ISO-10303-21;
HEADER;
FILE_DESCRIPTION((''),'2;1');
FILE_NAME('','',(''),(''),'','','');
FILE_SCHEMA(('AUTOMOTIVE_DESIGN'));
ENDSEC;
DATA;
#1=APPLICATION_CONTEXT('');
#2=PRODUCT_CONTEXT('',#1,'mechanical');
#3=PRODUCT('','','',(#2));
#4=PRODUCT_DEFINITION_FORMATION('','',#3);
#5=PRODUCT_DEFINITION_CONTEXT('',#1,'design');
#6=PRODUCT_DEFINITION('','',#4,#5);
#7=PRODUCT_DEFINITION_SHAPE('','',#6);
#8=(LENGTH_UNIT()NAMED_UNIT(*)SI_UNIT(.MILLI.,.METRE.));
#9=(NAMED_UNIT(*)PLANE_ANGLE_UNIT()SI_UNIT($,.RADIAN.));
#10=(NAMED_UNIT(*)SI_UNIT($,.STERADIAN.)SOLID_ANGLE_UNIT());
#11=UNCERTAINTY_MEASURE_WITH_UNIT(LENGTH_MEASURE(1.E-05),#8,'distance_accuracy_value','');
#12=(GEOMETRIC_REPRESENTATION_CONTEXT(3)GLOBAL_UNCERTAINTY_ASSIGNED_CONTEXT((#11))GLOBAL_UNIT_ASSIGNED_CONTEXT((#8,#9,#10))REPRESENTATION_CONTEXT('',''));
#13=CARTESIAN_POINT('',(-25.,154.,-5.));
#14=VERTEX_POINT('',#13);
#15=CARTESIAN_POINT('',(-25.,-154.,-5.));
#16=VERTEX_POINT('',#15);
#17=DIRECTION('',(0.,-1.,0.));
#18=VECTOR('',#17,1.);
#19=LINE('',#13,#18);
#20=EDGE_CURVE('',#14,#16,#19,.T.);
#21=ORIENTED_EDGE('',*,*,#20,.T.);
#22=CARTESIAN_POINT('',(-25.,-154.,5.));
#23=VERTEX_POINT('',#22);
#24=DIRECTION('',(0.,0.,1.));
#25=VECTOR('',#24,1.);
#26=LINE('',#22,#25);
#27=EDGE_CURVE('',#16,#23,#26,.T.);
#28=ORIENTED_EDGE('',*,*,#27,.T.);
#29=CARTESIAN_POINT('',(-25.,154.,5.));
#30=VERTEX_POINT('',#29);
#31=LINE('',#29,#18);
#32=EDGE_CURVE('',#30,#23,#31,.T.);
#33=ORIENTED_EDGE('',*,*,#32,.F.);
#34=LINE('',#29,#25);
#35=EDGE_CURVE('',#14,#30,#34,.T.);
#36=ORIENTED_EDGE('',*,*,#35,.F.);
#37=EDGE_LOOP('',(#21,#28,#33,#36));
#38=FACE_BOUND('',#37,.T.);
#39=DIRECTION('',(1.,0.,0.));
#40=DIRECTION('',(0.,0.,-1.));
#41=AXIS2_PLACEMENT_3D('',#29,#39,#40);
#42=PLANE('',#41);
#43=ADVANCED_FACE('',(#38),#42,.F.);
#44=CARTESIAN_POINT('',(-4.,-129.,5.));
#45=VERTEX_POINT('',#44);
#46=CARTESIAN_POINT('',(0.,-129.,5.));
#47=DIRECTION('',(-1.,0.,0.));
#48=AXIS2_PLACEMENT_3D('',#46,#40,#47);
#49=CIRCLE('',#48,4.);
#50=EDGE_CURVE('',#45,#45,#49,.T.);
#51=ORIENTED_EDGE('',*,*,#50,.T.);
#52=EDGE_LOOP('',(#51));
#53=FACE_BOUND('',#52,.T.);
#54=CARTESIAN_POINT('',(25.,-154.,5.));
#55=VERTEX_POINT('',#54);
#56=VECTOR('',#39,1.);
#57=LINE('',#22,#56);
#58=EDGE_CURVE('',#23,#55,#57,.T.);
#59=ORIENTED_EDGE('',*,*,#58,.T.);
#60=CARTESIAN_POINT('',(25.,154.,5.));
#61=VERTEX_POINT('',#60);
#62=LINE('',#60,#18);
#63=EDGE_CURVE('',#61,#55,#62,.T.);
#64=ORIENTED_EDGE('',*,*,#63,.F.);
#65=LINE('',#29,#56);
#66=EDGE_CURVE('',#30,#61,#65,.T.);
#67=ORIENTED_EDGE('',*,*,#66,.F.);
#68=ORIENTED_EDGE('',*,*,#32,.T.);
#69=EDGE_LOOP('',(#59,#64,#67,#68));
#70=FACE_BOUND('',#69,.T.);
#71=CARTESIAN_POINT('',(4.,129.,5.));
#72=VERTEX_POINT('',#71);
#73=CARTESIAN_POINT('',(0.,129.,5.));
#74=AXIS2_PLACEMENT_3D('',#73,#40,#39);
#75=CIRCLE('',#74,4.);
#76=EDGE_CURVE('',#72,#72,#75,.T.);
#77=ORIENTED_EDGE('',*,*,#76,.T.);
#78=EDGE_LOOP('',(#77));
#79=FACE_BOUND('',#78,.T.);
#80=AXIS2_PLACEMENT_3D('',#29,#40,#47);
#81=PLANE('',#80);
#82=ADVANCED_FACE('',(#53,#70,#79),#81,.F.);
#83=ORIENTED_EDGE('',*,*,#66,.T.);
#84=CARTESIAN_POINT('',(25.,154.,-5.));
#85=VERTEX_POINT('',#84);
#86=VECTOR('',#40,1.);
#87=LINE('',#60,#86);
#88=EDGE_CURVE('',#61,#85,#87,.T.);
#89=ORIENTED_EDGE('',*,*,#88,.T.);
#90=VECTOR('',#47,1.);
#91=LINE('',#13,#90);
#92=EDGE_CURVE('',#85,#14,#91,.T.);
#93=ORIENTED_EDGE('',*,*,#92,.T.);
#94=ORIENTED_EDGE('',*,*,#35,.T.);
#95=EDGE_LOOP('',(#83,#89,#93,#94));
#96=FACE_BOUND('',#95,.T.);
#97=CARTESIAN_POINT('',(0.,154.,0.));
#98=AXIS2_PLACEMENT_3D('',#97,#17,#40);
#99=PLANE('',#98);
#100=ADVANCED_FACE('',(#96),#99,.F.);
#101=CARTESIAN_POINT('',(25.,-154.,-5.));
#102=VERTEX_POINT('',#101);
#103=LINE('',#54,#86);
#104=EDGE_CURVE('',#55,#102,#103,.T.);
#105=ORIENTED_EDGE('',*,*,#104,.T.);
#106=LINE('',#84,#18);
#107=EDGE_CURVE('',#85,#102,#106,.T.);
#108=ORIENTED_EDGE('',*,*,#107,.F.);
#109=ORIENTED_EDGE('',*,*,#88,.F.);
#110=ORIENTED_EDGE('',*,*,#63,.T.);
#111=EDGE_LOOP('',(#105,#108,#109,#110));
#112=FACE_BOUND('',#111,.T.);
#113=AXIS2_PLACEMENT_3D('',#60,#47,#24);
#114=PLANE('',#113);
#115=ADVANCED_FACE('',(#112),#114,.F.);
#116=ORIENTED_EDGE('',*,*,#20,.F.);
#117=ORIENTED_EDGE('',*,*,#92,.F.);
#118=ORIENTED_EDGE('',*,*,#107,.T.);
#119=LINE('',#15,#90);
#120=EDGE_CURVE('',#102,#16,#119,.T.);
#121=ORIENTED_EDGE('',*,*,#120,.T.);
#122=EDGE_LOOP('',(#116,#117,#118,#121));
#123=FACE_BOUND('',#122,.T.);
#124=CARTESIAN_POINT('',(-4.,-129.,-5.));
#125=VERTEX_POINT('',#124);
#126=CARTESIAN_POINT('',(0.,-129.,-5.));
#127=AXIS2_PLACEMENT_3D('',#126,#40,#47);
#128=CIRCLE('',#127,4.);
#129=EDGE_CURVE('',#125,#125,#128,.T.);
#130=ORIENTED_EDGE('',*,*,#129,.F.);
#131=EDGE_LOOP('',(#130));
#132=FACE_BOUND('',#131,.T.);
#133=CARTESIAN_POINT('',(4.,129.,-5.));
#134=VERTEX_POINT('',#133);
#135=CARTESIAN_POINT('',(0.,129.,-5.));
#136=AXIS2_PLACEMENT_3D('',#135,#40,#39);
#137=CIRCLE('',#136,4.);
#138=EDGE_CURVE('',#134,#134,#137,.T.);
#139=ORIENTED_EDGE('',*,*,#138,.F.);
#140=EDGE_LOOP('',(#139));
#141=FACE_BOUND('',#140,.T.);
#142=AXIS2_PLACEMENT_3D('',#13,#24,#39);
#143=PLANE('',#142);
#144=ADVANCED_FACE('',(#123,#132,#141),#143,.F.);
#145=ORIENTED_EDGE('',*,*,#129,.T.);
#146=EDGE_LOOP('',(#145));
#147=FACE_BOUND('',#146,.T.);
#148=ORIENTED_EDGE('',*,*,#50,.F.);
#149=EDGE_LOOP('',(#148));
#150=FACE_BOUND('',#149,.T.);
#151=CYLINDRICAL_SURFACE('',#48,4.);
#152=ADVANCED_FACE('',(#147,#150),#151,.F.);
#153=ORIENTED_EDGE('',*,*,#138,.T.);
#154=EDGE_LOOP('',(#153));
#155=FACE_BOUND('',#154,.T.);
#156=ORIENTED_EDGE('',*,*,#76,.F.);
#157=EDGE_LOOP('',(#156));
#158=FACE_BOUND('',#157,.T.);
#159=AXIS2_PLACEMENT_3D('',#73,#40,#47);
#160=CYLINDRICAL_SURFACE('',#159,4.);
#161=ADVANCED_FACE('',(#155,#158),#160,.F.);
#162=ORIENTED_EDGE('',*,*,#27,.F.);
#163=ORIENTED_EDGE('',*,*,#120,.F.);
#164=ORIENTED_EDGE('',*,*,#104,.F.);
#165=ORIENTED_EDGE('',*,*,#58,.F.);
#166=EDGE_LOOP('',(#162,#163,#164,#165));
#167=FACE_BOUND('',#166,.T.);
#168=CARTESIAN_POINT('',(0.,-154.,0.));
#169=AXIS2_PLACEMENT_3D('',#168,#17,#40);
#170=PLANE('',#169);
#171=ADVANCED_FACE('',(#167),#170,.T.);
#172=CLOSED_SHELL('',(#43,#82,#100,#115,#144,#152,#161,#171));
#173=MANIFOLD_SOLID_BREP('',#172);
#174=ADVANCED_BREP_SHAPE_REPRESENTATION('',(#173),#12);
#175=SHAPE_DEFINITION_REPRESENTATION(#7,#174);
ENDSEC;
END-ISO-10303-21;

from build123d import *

# Parameters (mm, degrees)
SKETCH1_W           = 50
SKETCH1_H           = 10
BOSS_EXTRUDE1_DEPTH = 154
SKETCH2_R           = 4
CUT_EXTRUDE1_DEPTH  = 157.336176236


with BuildPart() as part:
    # Sketch1 → Boss-Extrude1 (new, symmetric)
    with BuildSketch(Plane(origin=(0, 0, 0), x_dir=(1, 0, 0), z_dir=(0, 1, 0))):
        Rectangle(SKETCH1_W, SKETCH1_H)
    extrude(amount=BOSS_EXTRUDE1_DEPTH, both=True)

    # Sketch2 → Cut-Extrude1 (cut, through all)
    with BuildSketch(Plane(origin=(0, 0, -5), x_dir=(-1, 0, 0), z_dir=(0, 0, -1))):
        with Locations((0, -129)):
            Circle(SKETCH2_R)
        with Locations(Location((0, 129, 0), (0, 0, 180))):
            Circle(SKETCH2_R)
    extrude(amount=-CUT_EXTRUDE1_DEPTH, mode=Mode.SUBTRACT)


solid = part.part
